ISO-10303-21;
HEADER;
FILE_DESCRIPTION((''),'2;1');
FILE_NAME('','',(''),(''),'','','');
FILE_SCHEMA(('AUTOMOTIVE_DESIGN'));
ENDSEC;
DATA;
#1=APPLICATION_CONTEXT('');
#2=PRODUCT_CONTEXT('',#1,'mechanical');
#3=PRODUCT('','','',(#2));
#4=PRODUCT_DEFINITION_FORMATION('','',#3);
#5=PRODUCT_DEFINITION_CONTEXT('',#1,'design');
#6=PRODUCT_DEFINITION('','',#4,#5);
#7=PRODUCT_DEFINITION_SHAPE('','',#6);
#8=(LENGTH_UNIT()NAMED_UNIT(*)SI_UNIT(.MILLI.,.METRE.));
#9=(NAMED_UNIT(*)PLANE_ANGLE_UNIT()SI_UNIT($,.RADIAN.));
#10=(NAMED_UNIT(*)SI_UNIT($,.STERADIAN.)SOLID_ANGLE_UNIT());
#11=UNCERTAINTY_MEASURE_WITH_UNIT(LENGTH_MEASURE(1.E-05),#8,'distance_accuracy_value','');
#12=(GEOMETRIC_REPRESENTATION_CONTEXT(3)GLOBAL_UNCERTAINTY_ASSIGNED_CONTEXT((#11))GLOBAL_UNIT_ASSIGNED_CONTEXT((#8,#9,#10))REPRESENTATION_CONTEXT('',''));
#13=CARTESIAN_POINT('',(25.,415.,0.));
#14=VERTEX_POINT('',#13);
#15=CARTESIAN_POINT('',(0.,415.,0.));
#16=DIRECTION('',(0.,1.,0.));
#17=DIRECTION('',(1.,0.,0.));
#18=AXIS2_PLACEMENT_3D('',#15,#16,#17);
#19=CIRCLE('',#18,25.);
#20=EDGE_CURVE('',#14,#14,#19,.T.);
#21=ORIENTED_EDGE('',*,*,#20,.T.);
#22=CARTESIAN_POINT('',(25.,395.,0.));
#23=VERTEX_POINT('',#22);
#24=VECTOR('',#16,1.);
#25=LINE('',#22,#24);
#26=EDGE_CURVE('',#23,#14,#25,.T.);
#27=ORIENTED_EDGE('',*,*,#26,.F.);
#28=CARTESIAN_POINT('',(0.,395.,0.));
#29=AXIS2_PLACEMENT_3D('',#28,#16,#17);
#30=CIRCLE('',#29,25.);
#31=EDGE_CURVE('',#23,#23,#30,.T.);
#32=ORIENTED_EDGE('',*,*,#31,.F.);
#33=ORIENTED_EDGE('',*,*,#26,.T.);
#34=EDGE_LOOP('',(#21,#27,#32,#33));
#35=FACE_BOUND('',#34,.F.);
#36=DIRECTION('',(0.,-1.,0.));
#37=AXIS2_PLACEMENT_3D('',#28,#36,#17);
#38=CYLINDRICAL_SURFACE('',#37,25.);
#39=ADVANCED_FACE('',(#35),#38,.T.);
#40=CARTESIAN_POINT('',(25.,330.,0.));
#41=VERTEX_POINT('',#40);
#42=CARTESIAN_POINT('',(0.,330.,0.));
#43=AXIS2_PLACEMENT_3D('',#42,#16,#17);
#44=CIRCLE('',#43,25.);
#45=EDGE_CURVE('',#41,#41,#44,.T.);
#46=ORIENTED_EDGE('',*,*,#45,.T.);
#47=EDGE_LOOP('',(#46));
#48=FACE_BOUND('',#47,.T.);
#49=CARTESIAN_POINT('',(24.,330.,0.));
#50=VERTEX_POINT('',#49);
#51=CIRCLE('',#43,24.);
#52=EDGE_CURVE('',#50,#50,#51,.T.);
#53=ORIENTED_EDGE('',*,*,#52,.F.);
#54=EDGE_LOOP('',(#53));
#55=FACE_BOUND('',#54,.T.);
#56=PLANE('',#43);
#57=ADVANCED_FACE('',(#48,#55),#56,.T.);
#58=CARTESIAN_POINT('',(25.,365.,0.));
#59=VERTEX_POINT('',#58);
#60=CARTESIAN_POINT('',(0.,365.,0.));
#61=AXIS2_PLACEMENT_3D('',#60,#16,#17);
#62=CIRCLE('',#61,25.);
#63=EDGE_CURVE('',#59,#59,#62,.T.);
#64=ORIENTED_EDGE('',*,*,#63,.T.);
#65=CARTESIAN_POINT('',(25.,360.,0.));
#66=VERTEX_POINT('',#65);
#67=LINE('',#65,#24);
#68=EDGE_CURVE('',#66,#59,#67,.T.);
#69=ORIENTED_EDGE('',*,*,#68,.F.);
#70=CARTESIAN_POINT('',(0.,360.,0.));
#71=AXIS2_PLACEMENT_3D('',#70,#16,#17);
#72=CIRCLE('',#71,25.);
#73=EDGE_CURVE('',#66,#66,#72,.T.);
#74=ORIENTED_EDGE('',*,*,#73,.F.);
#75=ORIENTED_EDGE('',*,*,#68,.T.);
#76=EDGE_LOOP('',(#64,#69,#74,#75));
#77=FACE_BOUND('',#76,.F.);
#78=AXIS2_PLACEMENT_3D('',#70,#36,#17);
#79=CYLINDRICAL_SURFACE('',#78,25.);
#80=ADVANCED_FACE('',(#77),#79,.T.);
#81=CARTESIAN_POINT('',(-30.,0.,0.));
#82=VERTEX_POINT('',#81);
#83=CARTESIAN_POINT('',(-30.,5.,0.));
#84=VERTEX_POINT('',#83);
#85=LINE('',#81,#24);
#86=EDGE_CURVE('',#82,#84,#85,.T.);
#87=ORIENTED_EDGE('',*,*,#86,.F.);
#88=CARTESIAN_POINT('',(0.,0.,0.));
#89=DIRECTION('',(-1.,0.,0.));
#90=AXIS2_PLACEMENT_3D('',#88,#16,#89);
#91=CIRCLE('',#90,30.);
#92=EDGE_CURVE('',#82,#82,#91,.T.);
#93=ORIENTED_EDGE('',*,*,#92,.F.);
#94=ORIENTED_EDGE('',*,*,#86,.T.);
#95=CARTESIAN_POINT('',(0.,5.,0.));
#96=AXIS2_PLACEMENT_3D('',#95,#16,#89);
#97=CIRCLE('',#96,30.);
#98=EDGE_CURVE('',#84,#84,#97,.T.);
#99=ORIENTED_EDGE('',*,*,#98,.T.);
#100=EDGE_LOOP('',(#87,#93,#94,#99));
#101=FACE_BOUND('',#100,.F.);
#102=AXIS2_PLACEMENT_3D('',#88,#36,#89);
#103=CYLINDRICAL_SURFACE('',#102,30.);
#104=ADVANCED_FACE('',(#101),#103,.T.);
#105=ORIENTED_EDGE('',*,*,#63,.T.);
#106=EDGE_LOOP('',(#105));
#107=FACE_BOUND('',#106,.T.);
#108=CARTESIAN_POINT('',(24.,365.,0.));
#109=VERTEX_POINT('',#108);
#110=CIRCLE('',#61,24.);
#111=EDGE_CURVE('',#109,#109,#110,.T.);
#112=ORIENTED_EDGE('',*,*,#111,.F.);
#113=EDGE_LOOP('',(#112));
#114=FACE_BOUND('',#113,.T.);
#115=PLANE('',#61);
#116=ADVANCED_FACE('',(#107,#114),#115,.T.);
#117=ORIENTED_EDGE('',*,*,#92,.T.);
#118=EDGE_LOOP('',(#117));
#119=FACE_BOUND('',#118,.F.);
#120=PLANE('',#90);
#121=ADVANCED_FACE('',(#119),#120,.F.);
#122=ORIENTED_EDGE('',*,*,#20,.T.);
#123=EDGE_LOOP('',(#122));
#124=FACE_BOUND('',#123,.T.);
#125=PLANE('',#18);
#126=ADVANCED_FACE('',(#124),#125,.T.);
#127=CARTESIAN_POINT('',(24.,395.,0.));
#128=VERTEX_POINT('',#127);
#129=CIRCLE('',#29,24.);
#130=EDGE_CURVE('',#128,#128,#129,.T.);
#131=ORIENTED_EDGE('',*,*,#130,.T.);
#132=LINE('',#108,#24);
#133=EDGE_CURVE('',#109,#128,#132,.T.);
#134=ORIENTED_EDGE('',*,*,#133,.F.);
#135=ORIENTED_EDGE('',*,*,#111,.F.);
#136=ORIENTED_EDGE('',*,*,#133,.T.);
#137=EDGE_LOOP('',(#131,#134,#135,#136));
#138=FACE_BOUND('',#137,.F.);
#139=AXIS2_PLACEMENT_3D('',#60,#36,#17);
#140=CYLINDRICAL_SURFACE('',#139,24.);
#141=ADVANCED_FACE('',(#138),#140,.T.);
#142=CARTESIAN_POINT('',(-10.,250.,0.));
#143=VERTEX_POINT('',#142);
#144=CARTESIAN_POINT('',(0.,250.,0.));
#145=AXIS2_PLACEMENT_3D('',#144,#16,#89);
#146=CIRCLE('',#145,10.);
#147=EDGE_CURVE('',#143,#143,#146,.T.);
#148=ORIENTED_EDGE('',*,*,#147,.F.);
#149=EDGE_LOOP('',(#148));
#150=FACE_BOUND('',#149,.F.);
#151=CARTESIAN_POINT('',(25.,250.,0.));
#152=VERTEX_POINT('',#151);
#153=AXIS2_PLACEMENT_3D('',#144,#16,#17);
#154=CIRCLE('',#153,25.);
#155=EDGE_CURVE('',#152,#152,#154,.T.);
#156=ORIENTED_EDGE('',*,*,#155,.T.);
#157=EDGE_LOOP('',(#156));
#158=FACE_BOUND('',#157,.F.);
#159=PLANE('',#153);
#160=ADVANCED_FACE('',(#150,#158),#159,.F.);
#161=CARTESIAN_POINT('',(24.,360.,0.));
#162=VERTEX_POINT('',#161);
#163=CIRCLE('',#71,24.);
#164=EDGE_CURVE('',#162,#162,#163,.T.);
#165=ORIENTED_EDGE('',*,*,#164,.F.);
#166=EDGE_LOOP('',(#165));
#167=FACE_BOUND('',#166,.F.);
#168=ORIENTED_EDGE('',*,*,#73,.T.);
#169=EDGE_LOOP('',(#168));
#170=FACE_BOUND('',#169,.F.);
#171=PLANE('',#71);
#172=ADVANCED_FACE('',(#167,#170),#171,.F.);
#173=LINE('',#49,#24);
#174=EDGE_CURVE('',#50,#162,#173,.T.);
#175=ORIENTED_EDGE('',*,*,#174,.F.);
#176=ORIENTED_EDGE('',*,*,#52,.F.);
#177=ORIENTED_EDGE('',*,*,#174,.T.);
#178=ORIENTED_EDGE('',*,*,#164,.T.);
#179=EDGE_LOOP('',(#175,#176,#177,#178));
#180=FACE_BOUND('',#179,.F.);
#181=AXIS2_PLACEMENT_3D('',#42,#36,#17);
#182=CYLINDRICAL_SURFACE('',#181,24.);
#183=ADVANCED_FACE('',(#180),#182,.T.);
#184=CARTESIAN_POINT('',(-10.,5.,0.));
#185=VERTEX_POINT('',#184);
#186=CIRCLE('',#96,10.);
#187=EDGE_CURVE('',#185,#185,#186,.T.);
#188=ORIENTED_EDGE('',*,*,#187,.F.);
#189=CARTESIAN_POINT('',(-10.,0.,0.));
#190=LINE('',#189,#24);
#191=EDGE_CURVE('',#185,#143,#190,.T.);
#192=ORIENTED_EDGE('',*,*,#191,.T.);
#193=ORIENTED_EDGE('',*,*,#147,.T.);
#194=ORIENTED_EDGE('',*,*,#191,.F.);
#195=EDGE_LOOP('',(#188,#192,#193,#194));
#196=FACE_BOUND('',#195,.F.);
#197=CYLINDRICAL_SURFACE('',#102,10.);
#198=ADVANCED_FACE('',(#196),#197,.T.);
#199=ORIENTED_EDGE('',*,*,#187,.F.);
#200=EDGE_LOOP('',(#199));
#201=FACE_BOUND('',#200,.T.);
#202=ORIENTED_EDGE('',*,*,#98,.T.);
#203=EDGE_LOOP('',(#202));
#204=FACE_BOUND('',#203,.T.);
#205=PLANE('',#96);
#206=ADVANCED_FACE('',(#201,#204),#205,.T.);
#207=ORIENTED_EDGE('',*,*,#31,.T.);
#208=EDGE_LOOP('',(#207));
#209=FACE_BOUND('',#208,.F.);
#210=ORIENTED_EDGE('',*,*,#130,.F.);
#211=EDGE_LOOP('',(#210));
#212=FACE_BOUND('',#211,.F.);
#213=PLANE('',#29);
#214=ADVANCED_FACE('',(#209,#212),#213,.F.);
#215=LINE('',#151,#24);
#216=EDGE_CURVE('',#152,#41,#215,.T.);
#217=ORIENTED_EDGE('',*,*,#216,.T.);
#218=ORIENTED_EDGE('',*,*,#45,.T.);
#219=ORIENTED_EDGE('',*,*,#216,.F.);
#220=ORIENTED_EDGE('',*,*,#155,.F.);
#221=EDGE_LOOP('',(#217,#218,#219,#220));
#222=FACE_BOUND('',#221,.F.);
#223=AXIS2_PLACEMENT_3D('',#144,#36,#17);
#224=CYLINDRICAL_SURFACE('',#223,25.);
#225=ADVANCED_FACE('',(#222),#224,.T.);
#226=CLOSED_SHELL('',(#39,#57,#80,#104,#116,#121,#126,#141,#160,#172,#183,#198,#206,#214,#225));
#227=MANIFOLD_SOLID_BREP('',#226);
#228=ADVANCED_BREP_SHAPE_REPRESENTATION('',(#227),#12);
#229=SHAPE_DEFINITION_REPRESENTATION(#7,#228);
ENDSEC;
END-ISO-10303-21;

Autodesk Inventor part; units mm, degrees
ref_plane "YZ Plane" through (0, 0, 0) normal (1, 0, 0) x (0, 1, 0)
ref_plane "XZ Plane" through (0, 0, 0) normal (0, 1, 0) x (-1, 0, 0)
ref_plane "XY Plane" through (0, 0, 0) normal (0, 0, 1) x (1, 0, 0)
sketch "스케치1" plane through (0, 0, 0) normal (0, 1, 0) x (-1, 0, 0)
  circle A0 centre (0, 0) radius 30
  circle A1 centre (0, 0) radius 10
  dimension "d0" = 60
  dimension "d1" = 20
extrude "돌출1" add sketch "스케치1" along normal blind 5
extrude "돌출2" add sketch "스케치1" along normal blind 250 contours A1
sketch "스케치2" plane through (0, 250, 0) normal (0, 1, 0) x (1, 0, 0)
  circle A0 centre (0, 0) radius 25
  dimension "d6" = 50
extrude "돌출3" add sketch "스케치2" along normal blind 80
sketch "스케치6" plane through (0, 330, 0) normal (0, 1, 0) x (1, 0, 0)
  circle A0 centre (0, 0) radius 25 projected
  circle A1 centre (0, 0) radius 24
  dimension "d15" = 48
extrude "돌출6" add sketch "스케치6" along normal blind 30 contours A1
sketch "스케치7" plane through (0, 360, 0) normal (0, 1, 0) x (1, 0, 0)
  circle A0 centre (0, 0) radius 25
  dimension "d18" = 50
extrude "돌출7" add sketch "스케치7" along normal blind 5
sketch "스케치8" plane through (0, 365, 0) normal (0, 1, 0) x (1, 0, 0)
  circle A0 centre (0, 0) radius 24
  dimension "d21" = 48
extrude "돌출8" add sketch "스케치8" along normal blind 30
sketch "스케치9" plane through (0, 395, 0) normal (0, 1, 0) x (1, 0, 0)
  circle A0 centre (0, 0) radius 25
  dimension "d24" = 50
extrude "돌출9" add sketch "스케치9" along normal blind 20
properties part number "led"
